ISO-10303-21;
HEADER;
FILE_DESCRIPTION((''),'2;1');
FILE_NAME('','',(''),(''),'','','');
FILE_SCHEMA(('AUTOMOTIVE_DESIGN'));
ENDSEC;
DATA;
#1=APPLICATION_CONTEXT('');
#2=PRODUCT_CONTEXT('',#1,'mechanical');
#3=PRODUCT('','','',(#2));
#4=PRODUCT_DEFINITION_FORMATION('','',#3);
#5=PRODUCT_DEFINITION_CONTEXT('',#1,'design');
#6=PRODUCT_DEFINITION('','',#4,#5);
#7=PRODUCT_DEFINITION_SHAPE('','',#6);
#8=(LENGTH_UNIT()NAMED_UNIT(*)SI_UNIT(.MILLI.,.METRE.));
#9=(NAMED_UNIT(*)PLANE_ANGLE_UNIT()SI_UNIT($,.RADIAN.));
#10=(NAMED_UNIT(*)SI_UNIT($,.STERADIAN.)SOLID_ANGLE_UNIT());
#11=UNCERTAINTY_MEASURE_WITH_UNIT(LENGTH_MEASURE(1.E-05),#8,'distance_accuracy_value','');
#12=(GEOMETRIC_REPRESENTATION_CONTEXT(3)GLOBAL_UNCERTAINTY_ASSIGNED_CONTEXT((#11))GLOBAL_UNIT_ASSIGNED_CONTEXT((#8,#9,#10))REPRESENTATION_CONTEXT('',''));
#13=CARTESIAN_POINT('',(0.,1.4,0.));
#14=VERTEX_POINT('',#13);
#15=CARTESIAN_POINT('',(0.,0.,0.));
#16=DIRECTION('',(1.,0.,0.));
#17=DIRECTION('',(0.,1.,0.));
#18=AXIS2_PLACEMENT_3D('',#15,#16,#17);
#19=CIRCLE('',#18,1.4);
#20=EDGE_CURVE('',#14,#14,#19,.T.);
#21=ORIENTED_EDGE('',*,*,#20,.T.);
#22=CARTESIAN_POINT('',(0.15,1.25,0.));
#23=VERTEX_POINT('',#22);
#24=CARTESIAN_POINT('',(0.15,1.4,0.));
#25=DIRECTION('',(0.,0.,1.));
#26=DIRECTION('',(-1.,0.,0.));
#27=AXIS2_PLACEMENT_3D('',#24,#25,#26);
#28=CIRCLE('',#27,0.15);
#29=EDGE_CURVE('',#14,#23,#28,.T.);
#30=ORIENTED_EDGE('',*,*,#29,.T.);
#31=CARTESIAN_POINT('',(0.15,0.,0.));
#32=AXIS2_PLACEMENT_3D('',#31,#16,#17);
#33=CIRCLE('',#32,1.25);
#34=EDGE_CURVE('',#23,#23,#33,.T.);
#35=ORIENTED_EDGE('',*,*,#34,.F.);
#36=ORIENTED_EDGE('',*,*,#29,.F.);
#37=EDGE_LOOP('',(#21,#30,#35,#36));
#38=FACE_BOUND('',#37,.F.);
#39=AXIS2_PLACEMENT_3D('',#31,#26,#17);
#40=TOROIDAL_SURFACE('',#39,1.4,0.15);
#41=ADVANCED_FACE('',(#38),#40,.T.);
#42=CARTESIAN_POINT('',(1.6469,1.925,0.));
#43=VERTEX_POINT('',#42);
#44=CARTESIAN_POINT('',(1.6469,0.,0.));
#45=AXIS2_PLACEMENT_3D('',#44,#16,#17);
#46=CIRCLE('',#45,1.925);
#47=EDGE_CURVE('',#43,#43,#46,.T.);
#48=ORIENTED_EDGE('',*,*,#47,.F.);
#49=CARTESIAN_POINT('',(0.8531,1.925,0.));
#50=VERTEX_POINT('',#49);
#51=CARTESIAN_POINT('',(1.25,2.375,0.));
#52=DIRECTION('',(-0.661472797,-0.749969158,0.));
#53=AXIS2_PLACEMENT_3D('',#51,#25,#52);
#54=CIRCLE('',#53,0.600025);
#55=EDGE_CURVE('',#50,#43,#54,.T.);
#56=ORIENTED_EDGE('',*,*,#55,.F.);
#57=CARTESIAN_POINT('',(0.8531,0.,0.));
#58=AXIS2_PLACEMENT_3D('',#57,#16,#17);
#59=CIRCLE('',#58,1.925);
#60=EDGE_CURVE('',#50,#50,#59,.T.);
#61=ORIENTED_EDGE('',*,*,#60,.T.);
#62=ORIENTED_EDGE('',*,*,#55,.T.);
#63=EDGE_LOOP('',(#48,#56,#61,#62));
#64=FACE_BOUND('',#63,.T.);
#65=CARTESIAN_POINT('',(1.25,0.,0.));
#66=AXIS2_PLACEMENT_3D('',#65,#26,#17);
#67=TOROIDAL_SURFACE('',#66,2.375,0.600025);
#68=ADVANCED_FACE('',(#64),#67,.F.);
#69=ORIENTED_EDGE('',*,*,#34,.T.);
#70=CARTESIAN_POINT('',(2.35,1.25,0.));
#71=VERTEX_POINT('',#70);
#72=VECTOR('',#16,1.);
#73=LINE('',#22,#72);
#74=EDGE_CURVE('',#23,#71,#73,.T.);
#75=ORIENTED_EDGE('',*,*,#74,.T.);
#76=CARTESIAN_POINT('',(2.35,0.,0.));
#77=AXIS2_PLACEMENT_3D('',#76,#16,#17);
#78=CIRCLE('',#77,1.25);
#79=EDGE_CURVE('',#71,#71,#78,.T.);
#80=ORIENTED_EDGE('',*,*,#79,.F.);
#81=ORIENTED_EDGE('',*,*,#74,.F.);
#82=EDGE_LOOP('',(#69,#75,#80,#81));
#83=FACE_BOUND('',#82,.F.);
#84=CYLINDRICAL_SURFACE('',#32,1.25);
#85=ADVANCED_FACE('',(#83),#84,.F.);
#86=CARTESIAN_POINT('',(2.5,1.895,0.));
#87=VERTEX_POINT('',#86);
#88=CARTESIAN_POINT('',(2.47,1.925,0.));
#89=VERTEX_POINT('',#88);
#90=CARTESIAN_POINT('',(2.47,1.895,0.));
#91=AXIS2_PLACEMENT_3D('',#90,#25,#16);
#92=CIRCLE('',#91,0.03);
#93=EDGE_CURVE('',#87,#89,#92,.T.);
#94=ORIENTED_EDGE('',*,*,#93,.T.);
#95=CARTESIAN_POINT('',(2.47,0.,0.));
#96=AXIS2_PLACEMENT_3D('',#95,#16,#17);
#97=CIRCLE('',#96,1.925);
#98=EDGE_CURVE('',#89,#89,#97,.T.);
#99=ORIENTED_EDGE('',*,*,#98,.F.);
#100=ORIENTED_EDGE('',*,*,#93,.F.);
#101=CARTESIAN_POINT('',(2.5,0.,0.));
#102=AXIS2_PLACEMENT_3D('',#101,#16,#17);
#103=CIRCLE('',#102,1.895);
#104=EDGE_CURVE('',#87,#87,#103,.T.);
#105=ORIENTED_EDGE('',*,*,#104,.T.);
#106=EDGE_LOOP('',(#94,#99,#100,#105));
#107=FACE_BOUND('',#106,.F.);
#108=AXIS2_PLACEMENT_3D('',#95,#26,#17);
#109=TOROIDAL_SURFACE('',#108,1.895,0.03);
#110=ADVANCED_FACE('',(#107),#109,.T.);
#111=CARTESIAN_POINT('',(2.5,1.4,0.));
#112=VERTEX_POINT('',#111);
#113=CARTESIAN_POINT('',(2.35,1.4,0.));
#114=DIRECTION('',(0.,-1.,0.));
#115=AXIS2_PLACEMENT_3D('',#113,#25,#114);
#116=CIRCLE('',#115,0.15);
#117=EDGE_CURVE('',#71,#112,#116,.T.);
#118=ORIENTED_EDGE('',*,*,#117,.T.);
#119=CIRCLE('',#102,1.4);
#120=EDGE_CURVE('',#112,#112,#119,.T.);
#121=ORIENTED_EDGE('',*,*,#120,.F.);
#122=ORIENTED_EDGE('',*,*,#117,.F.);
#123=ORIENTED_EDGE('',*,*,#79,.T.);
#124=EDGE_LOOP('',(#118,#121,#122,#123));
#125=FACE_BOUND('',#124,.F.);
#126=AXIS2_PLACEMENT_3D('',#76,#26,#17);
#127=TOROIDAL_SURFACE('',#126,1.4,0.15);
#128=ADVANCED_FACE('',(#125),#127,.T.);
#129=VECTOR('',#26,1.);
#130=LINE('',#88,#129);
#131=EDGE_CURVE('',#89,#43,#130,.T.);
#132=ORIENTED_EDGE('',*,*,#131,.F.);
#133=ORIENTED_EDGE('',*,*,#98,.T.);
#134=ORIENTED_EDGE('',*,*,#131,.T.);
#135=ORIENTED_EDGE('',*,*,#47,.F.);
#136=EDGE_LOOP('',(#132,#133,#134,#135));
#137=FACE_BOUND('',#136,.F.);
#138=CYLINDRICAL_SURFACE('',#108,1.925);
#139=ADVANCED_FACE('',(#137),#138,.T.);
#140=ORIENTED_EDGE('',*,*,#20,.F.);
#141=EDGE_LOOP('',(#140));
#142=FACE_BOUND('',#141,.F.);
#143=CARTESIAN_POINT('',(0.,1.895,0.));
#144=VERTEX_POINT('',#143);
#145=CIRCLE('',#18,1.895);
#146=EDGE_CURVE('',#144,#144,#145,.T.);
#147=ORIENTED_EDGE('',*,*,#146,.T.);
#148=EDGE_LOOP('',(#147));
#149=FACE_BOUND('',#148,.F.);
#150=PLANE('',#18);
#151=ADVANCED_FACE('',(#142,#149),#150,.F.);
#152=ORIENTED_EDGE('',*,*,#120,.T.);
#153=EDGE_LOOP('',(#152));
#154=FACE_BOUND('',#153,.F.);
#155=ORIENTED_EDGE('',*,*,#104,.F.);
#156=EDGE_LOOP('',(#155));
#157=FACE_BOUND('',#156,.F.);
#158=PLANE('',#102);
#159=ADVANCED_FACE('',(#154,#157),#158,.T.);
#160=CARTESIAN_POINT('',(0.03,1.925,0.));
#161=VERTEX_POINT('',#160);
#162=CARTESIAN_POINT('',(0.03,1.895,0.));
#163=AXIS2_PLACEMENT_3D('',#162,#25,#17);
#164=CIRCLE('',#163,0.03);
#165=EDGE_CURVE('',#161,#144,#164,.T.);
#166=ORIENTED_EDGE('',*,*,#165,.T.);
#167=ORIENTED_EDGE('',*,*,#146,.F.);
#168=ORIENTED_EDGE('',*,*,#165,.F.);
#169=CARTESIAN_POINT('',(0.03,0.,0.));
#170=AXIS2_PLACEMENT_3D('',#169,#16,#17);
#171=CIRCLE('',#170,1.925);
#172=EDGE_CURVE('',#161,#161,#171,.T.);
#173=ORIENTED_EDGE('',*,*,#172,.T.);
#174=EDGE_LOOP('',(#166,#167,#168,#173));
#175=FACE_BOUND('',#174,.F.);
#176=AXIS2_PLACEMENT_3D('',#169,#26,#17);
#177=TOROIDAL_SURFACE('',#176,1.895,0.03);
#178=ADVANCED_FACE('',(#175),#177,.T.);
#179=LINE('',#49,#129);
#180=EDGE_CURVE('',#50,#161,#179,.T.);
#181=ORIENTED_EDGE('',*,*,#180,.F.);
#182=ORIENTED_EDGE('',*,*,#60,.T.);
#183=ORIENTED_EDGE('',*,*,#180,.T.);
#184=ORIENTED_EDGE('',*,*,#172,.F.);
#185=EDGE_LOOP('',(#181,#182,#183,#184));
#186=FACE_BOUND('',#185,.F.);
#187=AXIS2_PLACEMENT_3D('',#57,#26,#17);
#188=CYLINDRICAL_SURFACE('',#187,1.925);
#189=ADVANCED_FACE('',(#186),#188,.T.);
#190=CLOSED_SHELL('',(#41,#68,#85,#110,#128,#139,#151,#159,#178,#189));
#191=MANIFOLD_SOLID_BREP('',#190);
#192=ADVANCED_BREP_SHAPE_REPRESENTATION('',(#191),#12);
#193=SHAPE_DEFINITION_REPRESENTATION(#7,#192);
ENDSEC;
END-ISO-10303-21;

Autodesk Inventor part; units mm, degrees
ref_plane "YZ Plane" through (0, 0, 0) normal (1, 0, 0) x (0, 1, 0)
ref_plane "XZ Plane" through (0, 0, 0) normal (0, 1, 0) x (-1, 0, 0)
ref_plane "XY Plane" through (0, 0, 0) normal (0, 0, 1) x (1, 0, 0)
sketch "Sketch_10" plane through (0, 0, 0) normal (0, 0, 1) x (1, 0, 0)
  line L0 (50, 0) -> (-50, 0)
  line L1 (0, 1.895) -> (0, 1.4)
  arc A0 (0, 1.4) -> (0.15, 1.25) centre (0.15, 1.4) ccw
  line L2 (0.15, 1.25) -> (2.35, 1.25)
  arc A1 (2.35, 1.25) -> (2.5, 1.4) centre (2.35, 1.4) ccw
  line L3 (2.5, 1.4) -> (2.5, 1.895)
  arc A2 (2.5, 1.895) -> (2.47, 1.925) centre (2.47, 1.895) ccw
  line L4 (2.47, 1.925) -> (1.6469, 1.925)
  arc A3 (0.8531, 1.925) -> (1.6469, 1.925) centre (1.25, 2.375) ccw
  line L5 (0.8531, 1.925) -> (0.03, 1.925)
  arc A4 (0.03, 1.925) -> (0, 1.895) centre (0.03, 1.895) ccw
revolve "Revolution1" add sketch "Sketch_10" angle 360 about axis through (50, 0, 0) along (1, 0, 0)
properties part number "W 619/2.5 R_PART1"
